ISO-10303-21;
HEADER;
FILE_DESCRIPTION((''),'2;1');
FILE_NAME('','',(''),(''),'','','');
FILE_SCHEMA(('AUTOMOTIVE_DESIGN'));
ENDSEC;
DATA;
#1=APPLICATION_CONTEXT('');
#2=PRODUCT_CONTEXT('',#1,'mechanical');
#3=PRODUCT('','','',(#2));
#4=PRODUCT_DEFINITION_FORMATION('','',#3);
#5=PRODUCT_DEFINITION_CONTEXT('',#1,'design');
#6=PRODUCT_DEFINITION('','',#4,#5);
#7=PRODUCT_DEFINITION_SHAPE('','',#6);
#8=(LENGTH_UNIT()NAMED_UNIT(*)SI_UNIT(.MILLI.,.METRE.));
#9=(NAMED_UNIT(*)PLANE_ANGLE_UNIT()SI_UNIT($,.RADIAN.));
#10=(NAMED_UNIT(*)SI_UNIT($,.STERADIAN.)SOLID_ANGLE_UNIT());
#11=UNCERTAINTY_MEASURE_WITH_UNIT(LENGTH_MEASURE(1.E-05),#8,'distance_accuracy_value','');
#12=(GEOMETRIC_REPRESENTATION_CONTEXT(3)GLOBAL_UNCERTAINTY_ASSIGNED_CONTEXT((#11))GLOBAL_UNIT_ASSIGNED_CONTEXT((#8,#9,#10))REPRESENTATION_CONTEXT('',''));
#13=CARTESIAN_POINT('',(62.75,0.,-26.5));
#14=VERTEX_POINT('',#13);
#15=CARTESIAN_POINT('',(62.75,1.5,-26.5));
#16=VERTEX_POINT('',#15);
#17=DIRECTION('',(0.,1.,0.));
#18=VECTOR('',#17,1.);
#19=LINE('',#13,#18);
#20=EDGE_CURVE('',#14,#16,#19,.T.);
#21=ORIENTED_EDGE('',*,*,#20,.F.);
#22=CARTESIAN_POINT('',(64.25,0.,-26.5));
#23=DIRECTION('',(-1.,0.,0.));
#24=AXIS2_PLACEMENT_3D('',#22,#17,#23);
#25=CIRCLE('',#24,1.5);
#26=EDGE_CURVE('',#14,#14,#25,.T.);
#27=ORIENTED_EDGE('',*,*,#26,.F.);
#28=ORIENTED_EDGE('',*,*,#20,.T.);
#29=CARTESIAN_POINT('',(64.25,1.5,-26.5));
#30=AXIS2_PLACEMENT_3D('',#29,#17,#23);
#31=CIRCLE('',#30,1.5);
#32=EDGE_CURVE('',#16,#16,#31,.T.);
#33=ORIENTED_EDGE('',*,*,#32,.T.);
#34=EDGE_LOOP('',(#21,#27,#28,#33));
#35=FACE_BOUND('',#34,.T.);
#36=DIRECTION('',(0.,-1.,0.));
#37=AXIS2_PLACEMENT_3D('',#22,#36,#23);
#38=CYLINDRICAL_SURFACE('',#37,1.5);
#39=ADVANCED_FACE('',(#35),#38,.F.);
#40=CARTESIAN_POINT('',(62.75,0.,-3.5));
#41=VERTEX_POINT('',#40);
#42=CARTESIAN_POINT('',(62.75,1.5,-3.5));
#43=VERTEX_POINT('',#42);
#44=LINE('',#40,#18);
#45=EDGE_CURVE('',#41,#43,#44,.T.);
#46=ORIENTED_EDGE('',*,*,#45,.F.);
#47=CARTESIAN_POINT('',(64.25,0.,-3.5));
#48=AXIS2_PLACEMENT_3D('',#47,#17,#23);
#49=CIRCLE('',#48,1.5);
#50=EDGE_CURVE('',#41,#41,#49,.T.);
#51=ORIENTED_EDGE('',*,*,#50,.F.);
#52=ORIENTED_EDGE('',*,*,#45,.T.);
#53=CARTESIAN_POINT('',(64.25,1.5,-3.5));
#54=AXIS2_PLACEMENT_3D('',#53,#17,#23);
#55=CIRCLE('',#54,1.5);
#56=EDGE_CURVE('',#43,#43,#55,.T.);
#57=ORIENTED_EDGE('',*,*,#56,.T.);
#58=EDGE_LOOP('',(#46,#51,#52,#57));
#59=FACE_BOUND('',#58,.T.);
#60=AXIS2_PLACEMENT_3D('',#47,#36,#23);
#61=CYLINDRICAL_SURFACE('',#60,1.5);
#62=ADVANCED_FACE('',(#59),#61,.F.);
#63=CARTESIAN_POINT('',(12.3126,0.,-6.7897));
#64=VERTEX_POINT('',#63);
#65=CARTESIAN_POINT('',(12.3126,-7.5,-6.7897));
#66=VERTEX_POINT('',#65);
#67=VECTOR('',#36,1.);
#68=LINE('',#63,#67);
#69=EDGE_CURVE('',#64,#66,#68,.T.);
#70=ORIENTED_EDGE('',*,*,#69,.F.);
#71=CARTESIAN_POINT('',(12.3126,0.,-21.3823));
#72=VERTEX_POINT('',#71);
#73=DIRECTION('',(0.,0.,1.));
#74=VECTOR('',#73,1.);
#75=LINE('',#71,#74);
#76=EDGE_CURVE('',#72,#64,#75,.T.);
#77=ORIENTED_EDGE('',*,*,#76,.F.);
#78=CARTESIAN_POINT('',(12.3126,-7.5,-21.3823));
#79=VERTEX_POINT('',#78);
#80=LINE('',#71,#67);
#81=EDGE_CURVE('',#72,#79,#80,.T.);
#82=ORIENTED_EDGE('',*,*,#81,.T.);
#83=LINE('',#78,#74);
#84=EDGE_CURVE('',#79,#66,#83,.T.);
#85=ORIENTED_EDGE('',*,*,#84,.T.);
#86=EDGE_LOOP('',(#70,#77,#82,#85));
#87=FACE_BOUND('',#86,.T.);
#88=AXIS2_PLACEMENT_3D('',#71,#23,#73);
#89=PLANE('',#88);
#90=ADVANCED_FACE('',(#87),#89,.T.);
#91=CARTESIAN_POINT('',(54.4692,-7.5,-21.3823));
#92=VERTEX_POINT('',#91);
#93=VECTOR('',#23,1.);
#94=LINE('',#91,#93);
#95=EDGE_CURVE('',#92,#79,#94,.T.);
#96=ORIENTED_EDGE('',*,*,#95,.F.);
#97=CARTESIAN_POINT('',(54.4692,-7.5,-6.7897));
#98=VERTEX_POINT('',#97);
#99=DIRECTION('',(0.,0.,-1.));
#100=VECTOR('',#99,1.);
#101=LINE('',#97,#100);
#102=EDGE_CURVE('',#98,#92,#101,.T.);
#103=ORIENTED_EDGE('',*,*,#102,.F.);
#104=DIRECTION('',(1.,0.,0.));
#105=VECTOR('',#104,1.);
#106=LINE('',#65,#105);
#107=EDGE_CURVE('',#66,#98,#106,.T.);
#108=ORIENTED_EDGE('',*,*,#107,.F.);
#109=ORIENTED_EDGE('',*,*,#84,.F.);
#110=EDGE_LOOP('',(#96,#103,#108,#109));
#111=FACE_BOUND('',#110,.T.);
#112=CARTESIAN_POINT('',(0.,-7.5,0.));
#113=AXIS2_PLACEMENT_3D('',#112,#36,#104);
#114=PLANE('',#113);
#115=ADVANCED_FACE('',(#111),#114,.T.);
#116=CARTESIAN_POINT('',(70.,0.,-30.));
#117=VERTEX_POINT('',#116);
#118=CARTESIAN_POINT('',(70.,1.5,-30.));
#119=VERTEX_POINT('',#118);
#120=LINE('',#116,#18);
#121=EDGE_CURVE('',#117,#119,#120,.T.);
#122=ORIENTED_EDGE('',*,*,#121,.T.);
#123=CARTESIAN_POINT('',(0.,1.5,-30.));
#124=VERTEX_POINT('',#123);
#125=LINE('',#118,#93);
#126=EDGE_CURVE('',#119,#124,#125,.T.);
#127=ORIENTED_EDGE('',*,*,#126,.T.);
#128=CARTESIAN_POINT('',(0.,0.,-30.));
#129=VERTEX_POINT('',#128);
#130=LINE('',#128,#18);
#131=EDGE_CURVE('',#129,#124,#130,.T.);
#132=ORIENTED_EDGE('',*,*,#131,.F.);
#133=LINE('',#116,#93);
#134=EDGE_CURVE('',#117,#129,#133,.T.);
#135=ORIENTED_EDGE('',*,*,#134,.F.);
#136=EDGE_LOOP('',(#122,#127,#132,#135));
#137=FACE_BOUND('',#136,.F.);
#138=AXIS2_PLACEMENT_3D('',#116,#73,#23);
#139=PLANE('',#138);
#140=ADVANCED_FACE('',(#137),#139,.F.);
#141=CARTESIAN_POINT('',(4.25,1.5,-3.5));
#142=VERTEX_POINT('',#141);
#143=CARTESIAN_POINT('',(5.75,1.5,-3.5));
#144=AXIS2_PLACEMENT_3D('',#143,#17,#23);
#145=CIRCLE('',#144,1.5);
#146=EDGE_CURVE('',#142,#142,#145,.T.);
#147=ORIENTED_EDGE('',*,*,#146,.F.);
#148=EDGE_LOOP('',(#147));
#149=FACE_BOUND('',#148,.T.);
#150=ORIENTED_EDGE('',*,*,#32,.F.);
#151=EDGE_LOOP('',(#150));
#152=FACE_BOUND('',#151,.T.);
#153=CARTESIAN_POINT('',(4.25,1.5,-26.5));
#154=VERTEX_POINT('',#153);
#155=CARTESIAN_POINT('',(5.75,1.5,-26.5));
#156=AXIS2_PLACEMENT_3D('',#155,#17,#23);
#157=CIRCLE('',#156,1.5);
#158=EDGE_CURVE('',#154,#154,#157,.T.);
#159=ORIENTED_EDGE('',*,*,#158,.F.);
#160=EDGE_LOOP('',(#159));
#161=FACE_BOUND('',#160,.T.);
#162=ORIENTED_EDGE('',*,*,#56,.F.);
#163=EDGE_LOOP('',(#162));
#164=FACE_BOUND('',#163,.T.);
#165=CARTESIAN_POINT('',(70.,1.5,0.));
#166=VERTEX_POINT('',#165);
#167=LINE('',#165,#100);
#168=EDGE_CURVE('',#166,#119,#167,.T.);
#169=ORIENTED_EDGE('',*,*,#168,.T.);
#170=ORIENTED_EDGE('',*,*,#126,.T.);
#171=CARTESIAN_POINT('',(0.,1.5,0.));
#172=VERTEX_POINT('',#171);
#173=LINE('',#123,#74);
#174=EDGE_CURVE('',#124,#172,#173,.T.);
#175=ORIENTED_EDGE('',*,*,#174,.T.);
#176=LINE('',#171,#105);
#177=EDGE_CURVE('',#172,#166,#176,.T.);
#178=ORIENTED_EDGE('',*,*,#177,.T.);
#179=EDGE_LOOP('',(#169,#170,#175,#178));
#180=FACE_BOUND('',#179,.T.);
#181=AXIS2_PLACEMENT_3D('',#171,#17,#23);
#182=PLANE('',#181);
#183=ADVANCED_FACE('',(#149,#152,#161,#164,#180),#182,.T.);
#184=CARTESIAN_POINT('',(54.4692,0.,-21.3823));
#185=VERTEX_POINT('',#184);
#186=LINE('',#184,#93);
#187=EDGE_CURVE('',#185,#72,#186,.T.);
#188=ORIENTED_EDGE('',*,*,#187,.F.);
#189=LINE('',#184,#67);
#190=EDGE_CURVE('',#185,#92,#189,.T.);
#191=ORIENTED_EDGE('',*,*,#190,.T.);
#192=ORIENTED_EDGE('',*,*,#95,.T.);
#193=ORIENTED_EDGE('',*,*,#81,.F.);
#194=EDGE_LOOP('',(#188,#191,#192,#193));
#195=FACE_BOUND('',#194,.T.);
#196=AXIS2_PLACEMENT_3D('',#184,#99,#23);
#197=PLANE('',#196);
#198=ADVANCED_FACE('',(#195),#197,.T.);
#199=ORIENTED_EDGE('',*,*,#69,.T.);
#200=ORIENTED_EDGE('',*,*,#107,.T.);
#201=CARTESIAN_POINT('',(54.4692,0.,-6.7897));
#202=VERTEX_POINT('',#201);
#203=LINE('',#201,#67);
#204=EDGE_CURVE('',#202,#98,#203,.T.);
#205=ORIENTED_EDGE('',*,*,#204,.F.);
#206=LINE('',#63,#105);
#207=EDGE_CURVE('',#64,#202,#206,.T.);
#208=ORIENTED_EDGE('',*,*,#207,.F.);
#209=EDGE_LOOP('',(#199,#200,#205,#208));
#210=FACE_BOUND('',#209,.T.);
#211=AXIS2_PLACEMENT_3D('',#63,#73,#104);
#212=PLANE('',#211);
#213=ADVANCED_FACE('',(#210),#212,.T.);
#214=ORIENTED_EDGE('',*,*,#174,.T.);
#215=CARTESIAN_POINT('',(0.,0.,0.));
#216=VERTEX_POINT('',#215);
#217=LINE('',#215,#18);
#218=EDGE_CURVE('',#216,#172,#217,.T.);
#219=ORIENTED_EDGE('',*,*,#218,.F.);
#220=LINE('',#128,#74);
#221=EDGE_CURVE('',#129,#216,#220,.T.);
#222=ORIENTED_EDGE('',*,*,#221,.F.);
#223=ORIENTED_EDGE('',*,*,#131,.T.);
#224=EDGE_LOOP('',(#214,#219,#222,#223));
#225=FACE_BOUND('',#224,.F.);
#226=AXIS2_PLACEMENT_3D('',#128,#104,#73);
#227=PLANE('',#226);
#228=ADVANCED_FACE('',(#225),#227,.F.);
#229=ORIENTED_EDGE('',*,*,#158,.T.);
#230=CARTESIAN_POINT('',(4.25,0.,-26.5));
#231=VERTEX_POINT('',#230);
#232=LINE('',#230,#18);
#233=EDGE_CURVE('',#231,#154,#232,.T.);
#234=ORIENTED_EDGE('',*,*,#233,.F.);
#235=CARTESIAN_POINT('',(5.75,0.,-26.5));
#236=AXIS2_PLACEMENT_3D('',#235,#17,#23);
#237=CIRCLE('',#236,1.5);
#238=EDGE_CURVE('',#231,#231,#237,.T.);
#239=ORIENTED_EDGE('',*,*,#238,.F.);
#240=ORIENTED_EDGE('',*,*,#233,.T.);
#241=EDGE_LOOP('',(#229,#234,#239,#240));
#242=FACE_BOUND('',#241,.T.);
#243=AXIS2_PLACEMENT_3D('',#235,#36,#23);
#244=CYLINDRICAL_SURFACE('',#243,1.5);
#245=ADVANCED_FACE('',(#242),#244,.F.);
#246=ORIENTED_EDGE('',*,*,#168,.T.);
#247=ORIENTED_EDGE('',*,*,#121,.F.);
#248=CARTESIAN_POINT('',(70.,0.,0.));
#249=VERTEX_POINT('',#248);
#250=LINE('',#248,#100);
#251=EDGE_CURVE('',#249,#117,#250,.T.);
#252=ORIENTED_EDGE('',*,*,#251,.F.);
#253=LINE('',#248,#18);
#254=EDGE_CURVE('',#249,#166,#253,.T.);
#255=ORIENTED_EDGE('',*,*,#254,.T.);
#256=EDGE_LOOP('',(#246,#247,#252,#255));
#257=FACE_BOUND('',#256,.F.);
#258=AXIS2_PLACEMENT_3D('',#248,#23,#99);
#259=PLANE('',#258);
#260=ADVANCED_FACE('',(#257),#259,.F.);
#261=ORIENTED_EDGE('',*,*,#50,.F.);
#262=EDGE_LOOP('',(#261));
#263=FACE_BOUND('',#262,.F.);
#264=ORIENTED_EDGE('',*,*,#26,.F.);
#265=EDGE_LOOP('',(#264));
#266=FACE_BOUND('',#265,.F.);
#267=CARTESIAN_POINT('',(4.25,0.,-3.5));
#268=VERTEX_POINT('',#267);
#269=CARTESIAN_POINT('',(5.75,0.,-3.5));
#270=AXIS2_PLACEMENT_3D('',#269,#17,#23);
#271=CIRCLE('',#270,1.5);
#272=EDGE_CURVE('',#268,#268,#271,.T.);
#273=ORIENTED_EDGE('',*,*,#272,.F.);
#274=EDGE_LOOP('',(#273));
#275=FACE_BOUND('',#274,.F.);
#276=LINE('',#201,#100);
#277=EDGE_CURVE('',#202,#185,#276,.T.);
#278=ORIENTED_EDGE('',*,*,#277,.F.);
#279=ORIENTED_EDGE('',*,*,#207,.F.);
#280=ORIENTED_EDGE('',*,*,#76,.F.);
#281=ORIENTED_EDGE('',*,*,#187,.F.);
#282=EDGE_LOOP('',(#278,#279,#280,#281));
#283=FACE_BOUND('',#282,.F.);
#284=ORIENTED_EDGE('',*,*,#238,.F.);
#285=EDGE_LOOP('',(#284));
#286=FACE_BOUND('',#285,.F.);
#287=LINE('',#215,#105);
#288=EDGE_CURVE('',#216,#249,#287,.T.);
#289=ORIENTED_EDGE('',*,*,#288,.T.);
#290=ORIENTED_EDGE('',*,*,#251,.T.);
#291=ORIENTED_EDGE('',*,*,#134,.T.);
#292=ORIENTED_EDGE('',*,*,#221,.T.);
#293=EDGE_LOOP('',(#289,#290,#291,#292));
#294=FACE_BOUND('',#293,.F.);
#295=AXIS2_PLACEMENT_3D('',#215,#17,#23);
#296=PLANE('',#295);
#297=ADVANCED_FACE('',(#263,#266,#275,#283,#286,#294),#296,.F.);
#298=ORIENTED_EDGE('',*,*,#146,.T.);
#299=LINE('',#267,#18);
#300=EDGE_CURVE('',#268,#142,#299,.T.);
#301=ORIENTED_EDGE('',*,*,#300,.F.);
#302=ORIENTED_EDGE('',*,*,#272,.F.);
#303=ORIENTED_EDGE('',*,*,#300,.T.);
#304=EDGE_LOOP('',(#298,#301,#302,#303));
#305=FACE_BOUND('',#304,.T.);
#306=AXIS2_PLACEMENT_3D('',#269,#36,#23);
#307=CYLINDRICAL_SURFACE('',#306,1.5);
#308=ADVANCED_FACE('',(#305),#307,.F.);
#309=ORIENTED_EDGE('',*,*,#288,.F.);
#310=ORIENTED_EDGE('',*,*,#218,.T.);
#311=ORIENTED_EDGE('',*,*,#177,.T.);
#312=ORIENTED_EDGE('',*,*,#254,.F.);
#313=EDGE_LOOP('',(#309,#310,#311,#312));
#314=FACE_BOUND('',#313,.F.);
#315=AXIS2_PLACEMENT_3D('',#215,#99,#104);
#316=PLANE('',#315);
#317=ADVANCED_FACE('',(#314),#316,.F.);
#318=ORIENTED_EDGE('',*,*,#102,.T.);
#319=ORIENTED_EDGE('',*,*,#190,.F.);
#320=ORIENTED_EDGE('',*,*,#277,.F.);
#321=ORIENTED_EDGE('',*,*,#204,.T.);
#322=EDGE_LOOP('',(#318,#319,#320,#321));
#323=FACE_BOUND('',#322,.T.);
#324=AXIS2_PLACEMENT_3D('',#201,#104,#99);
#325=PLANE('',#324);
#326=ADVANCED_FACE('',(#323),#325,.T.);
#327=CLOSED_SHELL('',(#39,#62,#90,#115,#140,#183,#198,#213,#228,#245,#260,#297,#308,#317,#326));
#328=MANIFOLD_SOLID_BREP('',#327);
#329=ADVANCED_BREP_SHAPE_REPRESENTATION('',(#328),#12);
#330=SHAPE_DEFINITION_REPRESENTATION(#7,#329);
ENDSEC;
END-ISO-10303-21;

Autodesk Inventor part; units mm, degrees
ref_plane "YZ Plane" through (0, 0, 0) normal (1, 0, 0) x (0, 1, 0)
ref_plane "XZ Plane" through (0, 0, 0) normal (0, 1, 0) x (-1, 0, 0)
ref_plane "XY Plane" through (0, 0, 0) normal (0, 0, 1) x (1, 0, 0)
sketch "Sketch1" plane through (0, 0, 0) normal (0, 1, 0) x (-1, 0, 0)
  line L0 (0, 0) -> (-70, 0)
  line L1 (-70, 0) -> (-70, -30)
  line L2 (-70, -30) -> (0, -30)
  line L3 (0, -30) -> (0, 0)
  circle A0 centre (-5.75, -3.5) radius 1.5
  circle A1 centre (-5.75, -26.5) radius 1.5
  circle A2 centre (-64.25, -3.5) radius 1.5
  circle A3 centre (-64.25, -26.5) radius 1.5
  line L4 (-5.75, -3.5) -> (-5.75, -26.5) construction
  line L5 (-5.75, -26.5) -> (-64.25, -26.5) construction
  line L6 (-64.25, -26.5) -> (-64.25, -3.5) construction
  line L7 (-64.25, -3.5) -> (-5.75, -3.5) construction
  dimension "d0" = 70
  dimension "d1" = 30
  dimension "d2" = 3
  dimension "d3" = 3
  dimension "d4" = 3
  dimension "d5" = 3
  dimension "d6" = 55.5
  dimension "d8" = 20
  dimension "d10" = 4.25
  dimension "d11" = 4.25
  dimension "d12" = 3.5
  dimension "d13" = 3.5
extrude "Extrusion1" add sketch "Sketch1" along normal blind 1.5
sketch "Sketch2" plane through (0, 0, 0) normal (0, -1, 0) x (1, 0, 0)
  line L0 (12.3126, -6.7897) -> (54.4692, -6.7897)
  line L1 (54.4692, -6.7897) -> (54.4692, -21.3823)
  line L2 (54.4692, -21.3823) -> (12.3126, -21.3823)
  line L3 (12.3126, -21.3823) -> (12.3126, -6.7897)
  point P0 (0, 0)
extrude "Extrusion2" add sketch "Sketch2" along normal blind 7.5
equation "\"d10\" = d11"
equation "\"d12\" = d13"
properties part number "my_own_pcb"
